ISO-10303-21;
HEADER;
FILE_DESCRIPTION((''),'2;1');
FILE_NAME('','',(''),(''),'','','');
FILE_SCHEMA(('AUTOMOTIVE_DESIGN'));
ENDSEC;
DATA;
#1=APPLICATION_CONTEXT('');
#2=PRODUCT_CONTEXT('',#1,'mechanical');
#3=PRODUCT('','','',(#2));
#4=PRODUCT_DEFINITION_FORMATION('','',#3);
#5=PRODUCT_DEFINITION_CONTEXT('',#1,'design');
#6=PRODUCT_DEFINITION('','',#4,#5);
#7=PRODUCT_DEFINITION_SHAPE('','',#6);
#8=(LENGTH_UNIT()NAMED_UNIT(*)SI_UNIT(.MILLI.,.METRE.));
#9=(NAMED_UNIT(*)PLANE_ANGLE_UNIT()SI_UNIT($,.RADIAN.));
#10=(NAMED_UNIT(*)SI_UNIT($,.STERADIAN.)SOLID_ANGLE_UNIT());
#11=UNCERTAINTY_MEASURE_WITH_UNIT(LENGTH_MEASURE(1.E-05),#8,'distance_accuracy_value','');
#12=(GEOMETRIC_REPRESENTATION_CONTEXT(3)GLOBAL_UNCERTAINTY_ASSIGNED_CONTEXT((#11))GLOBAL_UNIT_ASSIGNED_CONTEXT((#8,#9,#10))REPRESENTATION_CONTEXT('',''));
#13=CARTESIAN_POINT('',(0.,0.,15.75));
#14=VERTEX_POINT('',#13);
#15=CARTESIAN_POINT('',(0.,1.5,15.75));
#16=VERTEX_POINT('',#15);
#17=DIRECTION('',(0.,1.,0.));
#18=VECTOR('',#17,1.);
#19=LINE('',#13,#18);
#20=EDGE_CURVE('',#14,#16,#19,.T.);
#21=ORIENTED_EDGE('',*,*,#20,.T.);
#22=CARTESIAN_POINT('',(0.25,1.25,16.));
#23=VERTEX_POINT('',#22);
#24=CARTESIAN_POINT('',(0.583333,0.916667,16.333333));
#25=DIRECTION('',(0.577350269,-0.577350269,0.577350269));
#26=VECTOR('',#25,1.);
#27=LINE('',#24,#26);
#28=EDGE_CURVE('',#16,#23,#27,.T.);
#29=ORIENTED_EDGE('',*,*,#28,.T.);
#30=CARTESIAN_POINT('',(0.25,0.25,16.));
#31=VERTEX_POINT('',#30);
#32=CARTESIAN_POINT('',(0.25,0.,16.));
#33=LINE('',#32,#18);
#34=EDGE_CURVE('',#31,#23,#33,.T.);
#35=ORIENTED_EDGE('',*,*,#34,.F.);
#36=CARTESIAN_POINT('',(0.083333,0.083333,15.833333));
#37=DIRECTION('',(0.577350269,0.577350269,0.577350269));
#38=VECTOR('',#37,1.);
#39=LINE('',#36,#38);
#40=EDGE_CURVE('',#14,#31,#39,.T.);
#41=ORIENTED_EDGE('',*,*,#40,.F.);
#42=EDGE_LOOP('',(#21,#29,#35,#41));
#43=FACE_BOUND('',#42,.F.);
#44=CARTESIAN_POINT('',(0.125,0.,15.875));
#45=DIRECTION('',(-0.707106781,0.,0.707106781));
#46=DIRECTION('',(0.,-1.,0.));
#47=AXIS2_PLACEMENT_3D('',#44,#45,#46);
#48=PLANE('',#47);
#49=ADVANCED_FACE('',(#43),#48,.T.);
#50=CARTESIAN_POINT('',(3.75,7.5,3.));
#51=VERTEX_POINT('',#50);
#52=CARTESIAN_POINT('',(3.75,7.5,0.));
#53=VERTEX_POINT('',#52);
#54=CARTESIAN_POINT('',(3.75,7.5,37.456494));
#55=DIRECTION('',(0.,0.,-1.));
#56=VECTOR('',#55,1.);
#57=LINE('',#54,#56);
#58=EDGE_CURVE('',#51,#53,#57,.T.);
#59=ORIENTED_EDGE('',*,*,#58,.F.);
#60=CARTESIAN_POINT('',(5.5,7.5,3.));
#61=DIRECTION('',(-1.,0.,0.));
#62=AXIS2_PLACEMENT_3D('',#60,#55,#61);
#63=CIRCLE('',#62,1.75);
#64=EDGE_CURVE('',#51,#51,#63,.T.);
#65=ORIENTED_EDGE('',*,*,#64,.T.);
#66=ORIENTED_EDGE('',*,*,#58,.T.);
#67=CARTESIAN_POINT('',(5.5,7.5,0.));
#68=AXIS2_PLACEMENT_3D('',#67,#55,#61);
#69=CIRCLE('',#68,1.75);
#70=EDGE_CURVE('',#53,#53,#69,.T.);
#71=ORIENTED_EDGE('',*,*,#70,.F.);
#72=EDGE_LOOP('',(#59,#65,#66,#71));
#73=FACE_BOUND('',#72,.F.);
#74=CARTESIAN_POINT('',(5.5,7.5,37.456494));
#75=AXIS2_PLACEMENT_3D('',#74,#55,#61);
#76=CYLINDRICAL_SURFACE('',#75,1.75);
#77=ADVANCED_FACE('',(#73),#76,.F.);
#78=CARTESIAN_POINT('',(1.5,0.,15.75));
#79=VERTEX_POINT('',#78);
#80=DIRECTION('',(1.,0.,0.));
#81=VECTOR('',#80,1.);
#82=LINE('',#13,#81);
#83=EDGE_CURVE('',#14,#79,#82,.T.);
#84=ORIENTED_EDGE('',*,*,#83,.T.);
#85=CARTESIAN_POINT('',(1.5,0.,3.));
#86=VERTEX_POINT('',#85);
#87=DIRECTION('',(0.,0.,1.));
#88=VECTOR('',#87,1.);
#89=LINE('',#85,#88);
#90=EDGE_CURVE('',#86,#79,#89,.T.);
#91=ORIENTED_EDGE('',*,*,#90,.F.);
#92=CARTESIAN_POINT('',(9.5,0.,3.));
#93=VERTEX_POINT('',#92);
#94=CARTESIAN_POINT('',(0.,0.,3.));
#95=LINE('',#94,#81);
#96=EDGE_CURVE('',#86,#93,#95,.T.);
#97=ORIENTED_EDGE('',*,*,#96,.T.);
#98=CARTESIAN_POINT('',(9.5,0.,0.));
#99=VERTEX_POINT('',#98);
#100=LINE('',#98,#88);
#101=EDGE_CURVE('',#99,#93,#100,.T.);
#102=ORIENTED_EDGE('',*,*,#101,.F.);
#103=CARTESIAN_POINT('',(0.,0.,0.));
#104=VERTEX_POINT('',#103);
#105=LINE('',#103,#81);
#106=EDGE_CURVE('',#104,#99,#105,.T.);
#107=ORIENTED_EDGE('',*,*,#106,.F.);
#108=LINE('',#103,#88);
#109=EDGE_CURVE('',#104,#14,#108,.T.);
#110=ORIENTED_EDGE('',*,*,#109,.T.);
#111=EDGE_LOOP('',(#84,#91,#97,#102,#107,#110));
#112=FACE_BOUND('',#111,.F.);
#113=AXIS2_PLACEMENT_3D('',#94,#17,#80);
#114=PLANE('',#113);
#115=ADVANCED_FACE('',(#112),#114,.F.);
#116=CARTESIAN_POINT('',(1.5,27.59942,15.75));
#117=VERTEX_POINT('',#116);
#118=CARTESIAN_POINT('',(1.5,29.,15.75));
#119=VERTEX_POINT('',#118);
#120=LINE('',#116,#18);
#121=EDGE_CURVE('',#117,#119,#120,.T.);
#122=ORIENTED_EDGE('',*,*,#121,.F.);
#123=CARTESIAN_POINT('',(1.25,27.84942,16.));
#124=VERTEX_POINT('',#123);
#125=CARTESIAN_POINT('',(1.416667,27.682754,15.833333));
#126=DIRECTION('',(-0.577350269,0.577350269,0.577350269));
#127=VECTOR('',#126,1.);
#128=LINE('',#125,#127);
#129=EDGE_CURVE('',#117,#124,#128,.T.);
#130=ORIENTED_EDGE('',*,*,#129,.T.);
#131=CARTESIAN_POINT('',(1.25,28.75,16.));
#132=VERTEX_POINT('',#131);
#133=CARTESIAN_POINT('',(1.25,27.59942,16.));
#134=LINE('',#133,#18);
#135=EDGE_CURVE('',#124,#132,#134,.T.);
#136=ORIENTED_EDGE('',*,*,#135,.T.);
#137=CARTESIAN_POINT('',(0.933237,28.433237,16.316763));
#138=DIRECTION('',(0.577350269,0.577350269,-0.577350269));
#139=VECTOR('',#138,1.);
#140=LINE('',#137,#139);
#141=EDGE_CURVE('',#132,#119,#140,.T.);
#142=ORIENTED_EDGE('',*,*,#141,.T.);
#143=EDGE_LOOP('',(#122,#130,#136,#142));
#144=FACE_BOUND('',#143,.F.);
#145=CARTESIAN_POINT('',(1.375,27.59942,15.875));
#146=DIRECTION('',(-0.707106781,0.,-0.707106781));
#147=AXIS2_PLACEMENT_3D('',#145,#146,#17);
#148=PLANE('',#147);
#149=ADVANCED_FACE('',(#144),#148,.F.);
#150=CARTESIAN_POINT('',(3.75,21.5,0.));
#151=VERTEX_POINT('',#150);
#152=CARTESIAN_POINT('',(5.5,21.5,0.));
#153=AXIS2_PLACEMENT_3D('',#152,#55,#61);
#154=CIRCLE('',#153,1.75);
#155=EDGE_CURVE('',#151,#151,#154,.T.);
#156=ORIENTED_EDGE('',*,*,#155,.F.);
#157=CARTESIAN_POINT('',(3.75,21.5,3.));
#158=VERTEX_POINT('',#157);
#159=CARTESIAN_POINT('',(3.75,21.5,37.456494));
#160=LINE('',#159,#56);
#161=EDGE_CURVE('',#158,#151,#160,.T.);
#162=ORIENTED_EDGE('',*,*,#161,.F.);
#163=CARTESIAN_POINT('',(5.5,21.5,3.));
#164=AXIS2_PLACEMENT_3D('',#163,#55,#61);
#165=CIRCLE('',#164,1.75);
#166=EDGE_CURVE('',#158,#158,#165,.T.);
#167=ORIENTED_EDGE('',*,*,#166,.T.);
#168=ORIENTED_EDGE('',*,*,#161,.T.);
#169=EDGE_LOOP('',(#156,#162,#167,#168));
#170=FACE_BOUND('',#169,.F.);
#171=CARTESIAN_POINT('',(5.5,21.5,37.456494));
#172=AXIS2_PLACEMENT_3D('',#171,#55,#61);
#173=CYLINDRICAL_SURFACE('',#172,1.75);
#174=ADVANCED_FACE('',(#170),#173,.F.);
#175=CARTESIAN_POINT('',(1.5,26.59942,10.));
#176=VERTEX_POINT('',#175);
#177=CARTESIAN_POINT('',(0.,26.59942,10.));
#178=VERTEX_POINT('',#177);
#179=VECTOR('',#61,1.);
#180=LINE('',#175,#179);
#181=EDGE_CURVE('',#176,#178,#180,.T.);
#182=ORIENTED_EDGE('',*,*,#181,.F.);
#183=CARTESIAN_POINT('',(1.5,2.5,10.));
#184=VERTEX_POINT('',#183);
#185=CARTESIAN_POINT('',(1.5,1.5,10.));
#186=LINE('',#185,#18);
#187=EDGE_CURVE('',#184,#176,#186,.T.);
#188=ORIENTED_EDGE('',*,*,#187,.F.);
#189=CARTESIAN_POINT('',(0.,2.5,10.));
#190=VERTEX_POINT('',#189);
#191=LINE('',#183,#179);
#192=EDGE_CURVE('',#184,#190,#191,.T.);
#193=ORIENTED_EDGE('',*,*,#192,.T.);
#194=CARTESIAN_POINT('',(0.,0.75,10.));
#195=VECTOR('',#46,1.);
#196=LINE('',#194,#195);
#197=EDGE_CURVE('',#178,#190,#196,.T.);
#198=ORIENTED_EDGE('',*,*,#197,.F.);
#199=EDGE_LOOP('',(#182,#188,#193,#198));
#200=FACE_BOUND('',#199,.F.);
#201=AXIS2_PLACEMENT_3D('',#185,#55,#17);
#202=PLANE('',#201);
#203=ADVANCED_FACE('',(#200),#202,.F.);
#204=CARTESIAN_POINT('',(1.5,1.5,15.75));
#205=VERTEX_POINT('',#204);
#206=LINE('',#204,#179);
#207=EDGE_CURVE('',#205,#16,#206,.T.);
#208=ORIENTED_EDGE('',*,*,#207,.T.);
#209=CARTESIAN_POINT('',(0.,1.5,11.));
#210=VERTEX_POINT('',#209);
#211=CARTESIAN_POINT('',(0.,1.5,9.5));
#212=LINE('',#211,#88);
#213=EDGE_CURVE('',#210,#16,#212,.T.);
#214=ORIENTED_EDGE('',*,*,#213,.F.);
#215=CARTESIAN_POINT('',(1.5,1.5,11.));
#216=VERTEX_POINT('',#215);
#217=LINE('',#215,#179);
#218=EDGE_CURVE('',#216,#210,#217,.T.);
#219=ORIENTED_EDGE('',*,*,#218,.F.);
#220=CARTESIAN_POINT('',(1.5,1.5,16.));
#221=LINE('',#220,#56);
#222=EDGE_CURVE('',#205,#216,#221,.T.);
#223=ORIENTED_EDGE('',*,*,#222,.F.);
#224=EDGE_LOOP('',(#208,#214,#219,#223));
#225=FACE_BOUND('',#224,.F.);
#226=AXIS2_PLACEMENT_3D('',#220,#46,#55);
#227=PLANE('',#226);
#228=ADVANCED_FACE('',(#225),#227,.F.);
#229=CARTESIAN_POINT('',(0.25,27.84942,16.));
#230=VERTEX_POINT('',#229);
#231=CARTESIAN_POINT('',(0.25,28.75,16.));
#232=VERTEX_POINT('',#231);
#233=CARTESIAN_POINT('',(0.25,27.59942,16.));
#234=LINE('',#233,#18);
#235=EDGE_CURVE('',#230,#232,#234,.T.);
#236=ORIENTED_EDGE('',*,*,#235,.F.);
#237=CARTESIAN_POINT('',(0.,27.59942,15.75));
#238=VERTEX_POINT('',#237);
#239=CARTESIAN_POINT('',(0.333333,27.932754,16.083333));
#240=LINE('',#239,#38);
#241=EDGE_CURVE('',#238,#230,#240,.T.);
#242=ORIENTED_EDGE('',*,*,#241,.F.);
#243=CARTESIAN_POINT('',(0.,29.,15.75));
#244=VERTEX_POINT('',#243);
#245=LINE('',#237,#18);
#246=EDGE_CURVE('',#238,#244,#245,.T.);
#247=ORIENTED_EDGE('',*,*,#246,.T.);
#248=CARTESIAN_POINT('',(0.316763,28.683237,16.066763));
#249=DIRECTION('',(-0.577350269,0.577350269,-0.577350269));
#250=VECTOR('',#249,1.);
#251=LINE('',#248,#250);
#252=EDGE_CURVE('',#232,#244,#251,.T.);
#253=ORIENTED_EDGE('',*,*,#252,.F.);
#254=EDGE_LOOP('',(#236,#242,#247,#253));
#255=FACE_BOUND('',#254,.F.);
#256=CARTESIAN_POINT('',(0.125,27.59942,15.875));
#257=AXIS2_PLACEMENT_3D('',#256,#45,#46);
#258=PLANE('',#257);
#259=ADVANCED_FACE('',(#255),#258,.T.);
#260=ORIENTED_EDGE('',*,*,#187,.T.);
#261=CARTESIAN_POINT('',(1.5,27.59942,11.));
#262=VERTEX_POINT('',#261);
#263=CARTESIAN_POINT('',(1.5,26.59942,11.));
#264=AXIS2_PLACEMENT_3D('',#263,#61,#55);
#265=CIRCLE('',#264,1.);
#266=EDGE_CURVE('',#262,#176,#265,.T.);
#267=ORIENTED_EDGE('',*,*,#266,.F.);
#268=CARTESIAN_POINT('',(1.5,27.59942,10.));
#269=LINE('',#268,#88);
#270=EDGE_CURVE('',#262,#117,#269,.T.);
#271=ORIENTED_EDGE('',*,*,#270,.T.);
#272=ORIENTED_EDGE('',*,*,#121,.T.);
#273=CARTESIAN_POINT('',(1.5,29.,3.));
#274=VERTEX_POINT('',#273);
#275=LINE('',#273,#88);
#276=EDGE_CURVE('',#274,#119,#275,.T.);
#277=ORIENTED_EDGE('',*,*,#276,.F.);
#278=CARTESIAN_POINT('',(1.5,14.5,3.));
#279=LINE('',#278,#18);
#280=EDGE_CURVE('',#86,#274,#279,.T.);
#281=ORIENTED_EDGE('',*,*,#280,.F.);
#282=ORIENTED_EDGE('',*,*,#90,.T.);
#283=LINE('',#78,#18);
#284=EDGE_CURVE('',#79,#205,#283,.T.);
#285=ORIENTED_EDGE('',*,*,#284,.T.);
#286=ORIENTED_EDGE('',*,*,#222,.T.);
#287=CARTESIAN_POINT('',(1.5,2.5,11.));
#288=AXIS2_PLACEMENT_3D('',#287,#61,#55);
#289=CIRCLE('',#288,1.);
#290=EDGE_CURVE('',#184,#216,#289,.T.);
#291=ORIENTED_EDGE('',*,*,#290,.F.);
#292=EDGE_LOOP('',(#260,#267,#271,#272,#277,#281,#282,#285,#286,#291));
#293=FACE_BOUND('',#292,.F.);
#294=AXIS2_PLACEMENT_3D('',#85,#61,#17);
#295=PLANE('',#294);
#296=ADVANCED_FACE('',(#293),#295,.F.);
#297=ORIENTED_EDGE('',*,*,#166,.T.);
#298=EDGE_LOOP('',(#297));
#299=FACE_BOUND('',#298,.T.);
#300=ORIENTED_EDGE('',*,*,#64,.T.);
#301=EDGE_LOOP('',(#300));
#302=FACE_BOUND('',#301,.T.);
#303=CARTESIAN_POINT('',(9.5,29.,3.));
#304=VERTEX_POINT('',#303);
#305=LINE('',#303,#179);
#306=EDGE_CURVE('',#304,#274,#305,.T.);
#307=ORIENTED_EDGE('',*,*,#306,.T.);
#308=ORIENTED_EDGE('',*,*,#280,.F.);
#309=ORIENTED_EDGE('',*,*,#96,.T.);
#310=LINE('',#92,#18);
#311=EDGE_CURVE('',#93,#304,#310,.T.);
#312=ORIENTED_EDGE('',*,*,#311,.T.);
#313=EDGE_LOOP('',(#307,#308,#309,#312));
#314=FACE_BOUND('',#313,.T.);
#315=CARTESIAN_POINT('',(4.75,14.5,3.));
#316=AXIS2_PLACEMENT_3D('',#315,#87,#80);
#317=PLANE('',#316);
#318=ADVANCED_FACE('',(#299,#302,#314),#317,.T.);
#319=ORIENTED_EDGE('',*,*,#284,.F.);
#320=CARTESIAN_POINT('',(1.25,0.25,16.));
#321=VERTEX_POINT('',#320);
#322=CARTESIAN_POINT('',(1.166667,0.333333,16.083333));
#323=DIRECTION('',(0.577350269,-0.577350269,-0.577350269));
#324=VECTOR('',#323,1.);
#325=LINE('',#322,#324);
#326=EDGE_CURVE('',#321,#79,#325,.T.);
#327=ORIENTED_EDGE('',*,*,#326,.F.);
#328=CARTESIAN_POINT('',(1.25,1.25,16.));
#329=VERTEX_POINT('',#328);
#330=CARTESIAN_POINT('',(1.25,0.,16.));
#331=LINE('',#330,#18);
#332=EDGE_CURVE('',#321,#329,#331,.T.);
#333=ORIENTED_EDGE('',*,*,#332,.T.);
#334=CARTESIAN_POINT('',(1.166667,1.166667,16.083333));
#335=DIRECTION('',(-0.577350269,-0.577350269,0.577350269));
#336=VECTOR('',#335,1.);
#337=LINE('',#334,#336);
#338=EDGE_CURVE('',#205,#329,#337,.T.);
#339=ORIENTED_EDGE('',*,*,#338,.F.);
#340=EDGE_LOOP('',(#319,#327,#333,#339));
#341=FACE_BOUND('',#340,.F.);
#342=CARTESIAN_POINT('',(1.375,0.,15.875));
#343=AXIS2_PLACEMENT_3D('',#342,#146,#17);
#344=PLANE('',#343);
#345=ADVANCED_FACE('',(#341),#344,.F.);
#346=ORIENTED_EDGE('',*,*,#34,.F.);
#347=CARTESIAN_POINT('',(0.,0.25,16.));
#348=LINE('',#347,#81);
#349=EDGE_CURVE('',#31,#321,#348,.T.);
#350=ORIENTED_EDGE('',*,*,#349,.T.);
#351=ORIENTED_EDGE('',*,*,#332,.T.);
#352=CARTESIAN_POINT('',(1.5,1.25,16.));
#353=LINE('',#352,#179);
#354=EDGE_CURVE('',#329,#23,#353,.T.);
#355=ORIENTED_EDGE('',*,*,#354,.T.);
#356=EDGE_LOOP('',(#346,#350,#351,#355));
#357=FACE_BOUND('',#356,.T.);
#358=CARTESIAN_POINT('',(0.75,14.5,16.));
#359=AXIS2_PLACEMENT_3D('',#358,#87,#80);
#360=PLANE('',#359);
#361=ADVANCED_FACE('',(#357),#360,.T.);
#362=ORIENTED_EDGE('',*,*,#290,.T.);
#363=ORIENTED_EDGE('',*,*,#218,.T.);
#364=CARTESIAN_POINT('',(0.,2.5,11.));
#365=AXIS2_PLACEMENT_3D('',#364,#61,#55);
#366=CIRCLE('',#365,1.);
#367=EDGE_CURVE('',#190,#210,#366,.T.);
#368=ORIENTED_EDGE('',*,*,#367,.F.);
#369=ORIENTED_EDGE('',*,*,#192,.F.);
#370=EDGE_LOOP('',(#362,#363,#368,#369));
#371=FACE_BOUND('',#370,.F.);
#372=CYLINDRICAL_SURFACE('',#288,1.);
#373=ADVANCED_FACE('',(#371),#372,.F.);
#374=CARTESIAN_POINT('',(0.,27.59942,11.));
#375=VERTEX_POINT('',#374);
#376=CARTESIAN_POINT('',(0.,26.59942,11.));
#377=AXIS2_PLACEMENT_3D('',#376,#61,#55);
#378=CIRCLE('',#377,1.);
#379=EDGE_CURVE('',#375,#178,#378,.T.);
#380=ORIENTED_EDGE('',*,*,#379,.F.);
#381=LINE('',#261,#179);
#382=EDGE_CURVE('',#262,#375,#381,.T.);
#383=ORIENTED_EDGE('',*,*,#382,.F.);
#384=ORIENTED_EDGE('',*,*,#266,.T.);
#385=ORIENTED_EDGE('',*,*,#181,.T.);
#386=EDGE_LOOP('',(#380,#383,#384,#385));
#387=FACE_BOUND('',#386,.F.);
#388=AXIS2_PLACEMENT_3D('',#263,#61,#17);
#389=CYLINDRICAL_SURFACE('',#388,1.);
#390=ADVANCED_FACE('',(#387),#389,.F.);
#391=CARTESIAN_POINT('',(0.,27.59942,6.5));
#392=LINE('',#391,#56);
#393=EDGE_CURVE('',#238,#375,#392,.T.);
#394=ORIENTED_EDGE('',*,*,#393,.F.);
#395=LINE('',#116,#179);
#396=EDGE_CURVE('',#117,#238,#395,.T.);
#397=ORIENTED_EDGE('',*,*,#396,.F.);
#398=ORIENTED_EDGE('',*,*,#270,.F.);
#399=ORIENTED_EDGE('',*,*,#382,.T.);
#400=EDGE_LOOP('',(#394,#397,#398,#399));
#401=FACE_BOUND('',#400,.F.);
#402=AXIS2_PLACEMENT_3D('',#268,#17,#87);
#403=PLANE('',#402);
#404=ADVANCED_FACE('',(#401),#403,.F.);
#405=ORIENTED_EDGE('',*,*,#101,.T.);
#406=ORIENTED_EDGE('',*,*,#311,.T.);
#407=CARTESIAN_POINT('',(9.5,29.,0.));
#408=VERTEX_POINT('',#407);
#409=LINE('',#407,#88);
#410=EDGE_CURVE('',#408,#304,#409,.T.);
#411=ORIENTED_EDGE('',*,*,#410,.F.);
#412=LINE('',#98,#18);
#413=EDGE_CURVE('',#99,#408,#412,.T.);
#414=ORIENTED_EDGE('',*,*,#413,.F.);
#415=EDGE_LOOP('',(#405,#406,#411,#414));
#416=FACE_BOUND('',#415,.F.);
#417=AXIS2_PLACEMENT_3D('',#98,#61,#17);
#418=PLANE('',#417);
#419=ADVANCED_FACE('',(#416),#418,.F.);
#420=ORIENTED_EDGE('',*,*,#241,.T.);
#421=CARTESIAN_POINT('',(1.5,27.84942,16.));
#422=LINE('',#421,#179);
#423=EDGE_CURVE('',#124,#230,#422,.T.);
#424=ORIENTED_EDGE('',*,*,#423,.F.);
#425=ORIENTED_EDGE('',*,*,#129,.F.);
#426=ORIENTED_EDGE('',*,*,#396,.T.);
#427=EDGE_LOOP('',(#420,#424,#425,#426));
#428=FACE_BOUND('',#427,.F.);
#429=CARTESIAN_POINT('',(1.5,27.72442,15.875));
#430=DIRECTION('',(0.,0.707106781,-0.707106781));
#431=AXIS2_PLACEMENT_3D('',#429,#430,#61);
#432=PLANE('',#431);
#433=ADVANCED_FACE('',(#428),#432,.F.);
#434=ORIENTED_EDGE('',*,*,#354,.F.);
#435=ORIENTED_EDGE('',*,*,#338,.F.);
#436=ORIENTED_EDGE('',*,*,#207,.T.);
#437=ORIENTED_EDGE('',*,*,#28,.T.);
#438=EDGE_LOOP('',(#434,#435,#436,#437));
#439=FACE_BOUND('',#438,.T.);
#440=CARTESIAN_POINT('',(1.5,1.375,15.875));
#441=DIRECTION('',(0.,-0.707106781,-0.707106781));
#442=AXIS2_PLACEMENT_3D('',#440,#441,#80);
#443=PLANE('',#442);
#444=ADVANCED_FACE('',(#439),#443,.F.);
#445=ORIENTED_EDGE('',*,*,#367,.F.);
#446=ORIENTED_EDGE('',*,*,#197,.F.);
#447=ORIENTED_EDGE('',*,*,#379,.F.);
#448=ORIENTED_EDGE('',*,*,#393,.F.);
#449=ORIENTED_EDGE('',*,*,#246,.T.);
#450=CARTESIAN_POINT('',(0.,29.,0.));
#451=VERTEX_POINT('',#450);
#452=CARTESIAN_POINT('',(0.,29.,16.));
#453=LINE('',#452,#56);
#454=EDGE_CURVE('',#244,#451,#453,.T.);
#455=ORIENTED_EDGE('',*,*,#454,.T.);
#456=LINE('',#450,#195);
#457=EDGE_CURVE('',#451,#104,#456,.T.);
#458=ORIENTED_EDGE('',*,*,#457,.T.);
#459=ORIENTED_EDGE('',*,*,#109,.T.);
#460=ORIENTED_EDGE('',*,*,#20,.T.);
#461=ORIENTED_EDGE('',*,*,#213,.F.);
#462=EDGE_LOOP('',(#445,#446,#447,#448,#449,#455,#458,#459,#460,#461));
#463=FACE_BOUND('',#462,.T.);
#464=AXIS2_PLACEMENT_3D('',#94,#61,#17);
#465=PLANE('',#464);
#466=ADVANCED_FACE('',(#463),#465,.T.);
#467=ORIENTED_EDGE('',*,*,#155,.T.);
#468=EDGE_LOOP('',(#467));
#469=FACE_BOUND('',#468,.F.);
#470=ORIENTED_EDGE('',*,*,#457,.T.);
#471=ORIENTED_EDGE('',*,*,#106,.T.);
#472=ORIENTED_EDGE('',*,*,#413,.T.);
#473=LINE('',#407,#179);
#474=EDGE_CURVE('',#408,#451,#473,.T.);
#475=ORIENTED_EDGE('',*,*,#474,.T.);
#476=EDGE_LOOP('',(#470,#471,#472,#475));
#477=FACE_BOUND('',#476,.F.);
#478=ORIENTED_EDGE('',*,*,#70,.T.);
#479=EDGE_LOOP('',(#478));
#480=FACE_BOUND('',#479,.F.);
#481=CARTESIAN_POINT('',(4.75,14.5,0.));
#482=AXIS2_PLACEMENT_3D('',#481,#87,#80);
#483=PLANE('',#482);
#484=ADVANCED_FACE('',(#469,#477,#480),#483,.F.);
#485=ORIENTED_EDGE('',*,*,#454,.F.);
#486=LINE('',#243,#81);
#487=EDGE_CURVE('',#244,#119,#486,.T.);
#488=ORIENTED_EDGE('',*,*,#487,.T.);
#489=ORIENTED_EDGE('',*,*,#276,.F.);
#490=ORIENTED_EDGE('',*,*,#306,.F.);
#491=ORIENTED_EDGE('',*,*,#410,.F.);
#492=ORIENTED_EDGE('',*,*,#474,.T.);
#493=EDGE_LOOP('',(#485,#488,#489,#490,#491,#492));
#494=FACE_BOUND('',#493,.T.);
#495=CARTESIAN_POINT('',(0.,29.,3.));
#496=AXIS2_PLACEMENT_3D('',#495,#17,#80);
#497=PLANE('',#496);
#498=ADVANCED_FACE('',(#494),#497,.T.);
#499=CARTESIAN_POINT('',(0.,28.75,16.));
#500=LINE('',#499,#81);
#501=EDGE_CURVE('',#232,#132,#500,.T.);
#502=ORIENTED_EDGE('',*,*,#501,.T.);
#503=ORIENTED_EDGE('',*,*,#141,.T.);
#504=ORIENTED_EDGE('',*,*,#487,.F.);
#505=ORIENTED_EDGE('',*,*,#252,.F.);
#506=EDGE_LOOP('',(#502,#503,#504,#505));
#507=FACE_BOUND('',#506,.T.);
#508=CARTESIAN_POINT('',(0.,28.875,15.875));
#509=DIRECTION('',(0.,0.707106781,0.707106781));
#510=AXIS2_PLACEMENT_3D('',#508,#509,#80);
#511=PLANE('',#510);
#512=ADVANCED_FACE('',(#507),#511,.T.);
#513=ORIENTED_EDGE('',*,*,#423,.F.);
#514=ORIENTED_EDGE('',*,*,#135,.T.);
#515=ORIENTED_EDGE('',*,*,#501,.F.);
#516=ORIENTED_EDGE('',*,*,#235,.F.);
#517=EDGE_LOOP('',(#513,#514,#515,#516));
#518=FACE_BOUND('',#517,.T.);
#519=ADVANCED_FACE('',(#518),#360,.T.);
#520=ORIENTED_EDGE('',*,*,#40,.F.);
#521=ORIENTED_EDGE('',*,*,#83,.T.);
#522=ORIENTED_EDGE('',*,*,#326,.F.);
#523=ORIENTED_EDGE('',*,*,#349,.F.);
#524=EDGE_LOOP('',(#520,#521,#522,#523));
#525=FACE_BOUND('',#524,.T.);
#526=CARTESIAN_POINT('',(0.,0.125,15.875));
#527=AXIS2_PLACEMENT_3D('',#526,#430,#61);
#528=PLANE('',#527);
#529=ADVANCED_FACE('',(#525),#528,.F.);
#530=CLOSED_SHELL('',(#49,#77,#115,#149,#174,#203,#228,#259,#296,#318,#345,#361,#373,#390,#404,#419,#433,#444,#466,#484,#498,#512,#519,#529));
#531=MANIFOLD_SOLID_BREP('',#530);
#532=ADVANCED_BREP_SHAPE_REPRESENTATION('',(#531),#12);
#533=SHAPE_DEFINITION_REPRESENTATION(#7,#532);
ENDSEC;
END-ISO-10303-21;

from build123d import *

# Parameters (mm, degrees)
F1_DEPTH = 3
F2_W     = 1.5
F2_H     = 29
F3_DEPTH = 13
F5_D     = 3.5
F7_DEPTH = 1.501
F8_R     = 1
F9_SIZE  = 0.25


with BuildPart() as f1:
    # F0 (on Top) → F1 (new body)
    with BuildSketch(Plane.XY):
        Polygon((0, 29), (0, 0), (9.5, 0), (9.5, 29), (1.5, 29), align=None)
    extrude(amount=F1_DEPTH)

    # F2 (on face) → F3 (join)
    with BuildSketch(Plane.XY.offset(3)):
        with Locations((0.75, 14.5)):
            Rectangle(F2_W, F2_H)
    extrude(amount=F3_DEPTH)

    # F5 (through all)
    with Locations(Plane.XY.offset(3)):
        with Locations((5.5, 21.5), (5.5, 7.5)):
            Hole(F5_D / 2)

    # F6 (on face) → F7 (cut, through all)
    with BuildSketch(Plane.YZ.offset(1.5)):
        Polygon((27.5, 16), (1.5, 16), (1.5, 10), (27.5994203985, 10), (27.5994203985, 16), align=None)
    extrude(amount=-F7_DEPTH, mode=Mode.SUBTRACT)

    # F8
    f8_edges = [f1.edges().sort_by_distance(p)[0] for p in [
        (0.75, 27.59942, 10),
        (0.75, 1.5, 10),
    ]]
    fillet(f8_edges, radius=F8_R)

    # F9
    f9_edges = [f1.edges().sort_by_distance(p)[0] for p in [
        (0.75, 27.59942, 16),
        (1.5, 28.29971, 16),
        (0.75, 29, 16),
        (0, 28.29971, 16),
        (0.75, 1.5, 16),
        (1.5, 0.75, 16),
        (0.75, 0, 16),
        (0, 0.75, 16),
    ]]
    chamfer(f9_edges, length=F9_SIZE)


solid = f1.part
